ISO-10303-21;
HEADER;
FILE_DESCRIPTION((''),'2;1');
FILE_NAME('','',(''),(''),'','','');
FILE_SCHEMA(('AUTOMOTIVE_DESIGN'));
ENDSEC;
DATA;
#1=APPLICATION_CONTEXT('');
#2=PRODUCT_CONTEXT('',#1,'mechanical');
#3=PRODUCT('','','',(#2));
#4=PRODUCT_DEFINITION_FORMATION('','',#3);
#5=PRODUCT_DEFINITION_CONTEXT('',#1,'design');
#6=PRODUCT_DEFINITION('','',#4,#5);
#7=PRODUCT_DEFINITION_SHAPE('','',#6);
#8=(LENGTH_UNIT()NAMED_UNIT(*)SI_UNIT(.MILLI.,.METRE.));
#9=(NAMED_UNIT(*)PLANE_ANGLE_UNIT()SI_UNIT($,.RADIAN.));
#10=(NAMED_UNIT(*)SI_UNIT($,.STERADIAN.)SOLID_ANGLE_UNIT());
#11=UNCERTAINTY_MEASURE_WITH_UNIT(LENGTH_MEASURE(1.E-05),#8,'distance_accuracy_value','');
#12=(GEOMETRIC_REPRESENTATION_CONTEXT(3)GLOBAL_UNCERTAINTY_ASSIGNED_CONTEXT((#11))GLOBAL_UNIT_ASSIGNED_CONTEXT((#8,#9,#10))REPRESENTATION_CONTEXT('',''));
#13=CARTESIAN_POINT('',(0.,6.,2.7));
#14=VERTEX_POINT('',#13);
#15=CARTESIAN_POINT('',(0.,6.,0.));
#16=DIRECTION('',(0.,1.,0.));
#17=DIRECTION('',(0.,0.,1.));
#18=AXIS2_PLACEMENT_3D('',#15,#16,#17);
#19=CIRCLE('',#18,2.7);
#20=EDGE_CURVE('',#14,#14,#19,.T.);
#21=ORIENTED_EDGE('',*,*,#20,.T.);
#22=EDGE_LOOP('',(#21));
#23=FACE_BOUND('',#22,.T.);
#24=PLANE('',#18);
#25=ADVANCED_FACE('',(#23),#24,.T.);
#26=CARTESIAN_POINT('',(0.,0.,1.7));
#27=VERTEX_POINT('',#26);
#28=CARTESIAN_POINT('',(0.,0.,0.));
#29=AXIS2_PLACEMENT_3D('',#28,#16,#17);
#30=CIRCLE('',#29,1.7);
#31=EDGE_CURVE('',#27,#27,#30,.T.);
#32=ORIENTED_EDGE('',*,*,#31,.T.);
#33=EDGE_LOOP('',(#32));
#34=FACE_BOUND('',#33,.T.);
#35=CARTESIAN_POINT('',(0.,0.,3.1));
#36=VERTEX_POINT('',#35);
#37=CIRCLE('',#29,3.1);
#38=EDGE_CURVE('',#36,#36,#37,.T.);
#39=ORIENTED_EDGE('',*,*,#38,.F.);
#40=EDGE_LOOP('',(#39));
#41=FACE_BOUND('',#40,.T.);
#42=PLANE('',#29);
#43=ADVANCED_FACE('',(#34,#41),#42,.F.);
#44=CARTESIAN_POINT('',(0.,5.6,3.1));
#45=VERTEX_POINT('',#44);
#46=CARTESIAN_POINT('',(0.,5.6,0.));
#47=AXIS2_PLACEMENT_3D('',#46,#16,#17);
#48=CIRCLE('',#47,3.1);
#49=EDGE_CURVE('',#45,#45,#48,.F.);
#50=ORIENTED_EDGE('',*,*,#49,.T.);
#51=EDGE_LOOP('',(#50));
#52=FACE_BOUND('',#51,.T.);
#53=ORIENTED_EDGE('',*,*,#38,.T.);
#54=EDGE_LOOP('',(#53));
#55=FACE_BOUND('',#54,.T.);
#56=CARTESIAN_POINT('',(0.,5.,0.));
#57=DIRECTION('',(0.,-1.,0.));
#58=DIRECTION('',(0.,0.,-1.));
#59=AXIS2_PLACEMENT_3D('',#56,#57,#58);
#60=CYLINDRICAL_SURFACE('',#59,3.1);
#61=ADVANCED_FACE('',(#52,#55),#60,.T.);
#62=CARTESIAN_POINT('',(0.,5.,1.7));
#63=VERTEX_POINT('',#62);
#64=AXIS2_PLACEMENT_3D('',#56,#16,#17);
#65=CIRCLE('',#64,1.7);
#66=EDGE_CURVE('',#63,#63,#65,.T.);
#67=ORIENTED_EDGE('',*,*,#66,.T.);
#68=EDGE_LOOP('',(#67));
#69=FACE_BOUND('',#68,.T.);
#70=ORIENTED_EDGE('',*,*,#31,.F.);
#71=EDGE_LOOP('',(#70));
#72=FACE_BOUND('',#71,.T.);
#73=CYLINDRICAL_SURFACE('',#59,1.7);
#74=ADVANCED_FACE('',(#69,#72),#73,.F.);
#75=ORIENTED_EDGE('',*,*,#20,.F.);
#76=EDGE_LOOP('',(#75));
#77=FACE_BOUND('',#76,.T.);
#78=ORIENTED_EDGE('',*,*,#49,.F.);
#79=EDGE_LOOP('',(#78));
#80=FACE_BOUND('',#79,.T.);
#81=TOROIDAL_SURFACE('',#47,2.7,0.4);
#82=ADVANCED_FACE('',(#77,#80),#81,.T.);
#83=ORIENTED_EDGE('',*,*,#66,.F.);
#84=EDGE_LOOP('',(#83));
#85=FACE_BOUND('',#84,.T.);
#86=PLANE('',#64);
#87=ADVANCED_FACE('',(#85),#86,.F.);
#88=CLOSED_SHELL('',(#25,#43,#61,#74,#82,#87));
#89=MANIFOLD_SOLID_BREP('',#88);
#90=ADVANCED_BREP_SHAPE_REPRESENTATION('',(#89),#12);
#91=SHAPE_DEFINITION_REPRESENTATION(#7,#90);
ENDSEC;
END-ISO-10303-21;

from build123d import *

# Parameters (mm, degrees)
SKETCH_1_R      = 3.1
SKETCH_1_R_2    = 1.7
EXTRUDE_1_DEPTH = 5
SKETCH_2_R      = 3.1
EXTRUDE_2_DEPTH = 1
FILLET_1_R      = 0.4


with BuildPart() as part:
    # 草图1 → 凸台-拉伸1 (new body)
    with BuildSketch(Plane(origin=(0, 0, 0), x_dir=(1, 0, 0), z_dir=(0, 1, 0))):
        with Locations(Location((0, 0, 0), (0, 0, 270))):
            Circle(SKETCH_1_R)
        with Locations(Location((0, 0, 0), (0, 0, 270))):
            Circle(SKETCH_1_R_2, mode=Mode.SUBTRACT)
    extrude(amount=EXTRUDE_1_DEPTH)

    # 草图2 → 凸台-拉伸2 (add)
    with BuildSketch(Plane(origin=(0, 5, 0), x_dir=(1, 0, 0), z_dir=(0, 1, 0))):
        with Locations(Location((0, 0, 0), (0, 0, 270))):
            Circle(SKETCH_2_R)
    extrude(amount=EXTRUDE_2_DEPTH)

    # 圆角1
    fillet_1_edges = [part.edges().sort_by_distance(p)[0] for p in [
        (0, 6, -3.1),
    ]]
    fillet(fillet_1_edges, radius=FILLET_1_R)


solid = part.part
